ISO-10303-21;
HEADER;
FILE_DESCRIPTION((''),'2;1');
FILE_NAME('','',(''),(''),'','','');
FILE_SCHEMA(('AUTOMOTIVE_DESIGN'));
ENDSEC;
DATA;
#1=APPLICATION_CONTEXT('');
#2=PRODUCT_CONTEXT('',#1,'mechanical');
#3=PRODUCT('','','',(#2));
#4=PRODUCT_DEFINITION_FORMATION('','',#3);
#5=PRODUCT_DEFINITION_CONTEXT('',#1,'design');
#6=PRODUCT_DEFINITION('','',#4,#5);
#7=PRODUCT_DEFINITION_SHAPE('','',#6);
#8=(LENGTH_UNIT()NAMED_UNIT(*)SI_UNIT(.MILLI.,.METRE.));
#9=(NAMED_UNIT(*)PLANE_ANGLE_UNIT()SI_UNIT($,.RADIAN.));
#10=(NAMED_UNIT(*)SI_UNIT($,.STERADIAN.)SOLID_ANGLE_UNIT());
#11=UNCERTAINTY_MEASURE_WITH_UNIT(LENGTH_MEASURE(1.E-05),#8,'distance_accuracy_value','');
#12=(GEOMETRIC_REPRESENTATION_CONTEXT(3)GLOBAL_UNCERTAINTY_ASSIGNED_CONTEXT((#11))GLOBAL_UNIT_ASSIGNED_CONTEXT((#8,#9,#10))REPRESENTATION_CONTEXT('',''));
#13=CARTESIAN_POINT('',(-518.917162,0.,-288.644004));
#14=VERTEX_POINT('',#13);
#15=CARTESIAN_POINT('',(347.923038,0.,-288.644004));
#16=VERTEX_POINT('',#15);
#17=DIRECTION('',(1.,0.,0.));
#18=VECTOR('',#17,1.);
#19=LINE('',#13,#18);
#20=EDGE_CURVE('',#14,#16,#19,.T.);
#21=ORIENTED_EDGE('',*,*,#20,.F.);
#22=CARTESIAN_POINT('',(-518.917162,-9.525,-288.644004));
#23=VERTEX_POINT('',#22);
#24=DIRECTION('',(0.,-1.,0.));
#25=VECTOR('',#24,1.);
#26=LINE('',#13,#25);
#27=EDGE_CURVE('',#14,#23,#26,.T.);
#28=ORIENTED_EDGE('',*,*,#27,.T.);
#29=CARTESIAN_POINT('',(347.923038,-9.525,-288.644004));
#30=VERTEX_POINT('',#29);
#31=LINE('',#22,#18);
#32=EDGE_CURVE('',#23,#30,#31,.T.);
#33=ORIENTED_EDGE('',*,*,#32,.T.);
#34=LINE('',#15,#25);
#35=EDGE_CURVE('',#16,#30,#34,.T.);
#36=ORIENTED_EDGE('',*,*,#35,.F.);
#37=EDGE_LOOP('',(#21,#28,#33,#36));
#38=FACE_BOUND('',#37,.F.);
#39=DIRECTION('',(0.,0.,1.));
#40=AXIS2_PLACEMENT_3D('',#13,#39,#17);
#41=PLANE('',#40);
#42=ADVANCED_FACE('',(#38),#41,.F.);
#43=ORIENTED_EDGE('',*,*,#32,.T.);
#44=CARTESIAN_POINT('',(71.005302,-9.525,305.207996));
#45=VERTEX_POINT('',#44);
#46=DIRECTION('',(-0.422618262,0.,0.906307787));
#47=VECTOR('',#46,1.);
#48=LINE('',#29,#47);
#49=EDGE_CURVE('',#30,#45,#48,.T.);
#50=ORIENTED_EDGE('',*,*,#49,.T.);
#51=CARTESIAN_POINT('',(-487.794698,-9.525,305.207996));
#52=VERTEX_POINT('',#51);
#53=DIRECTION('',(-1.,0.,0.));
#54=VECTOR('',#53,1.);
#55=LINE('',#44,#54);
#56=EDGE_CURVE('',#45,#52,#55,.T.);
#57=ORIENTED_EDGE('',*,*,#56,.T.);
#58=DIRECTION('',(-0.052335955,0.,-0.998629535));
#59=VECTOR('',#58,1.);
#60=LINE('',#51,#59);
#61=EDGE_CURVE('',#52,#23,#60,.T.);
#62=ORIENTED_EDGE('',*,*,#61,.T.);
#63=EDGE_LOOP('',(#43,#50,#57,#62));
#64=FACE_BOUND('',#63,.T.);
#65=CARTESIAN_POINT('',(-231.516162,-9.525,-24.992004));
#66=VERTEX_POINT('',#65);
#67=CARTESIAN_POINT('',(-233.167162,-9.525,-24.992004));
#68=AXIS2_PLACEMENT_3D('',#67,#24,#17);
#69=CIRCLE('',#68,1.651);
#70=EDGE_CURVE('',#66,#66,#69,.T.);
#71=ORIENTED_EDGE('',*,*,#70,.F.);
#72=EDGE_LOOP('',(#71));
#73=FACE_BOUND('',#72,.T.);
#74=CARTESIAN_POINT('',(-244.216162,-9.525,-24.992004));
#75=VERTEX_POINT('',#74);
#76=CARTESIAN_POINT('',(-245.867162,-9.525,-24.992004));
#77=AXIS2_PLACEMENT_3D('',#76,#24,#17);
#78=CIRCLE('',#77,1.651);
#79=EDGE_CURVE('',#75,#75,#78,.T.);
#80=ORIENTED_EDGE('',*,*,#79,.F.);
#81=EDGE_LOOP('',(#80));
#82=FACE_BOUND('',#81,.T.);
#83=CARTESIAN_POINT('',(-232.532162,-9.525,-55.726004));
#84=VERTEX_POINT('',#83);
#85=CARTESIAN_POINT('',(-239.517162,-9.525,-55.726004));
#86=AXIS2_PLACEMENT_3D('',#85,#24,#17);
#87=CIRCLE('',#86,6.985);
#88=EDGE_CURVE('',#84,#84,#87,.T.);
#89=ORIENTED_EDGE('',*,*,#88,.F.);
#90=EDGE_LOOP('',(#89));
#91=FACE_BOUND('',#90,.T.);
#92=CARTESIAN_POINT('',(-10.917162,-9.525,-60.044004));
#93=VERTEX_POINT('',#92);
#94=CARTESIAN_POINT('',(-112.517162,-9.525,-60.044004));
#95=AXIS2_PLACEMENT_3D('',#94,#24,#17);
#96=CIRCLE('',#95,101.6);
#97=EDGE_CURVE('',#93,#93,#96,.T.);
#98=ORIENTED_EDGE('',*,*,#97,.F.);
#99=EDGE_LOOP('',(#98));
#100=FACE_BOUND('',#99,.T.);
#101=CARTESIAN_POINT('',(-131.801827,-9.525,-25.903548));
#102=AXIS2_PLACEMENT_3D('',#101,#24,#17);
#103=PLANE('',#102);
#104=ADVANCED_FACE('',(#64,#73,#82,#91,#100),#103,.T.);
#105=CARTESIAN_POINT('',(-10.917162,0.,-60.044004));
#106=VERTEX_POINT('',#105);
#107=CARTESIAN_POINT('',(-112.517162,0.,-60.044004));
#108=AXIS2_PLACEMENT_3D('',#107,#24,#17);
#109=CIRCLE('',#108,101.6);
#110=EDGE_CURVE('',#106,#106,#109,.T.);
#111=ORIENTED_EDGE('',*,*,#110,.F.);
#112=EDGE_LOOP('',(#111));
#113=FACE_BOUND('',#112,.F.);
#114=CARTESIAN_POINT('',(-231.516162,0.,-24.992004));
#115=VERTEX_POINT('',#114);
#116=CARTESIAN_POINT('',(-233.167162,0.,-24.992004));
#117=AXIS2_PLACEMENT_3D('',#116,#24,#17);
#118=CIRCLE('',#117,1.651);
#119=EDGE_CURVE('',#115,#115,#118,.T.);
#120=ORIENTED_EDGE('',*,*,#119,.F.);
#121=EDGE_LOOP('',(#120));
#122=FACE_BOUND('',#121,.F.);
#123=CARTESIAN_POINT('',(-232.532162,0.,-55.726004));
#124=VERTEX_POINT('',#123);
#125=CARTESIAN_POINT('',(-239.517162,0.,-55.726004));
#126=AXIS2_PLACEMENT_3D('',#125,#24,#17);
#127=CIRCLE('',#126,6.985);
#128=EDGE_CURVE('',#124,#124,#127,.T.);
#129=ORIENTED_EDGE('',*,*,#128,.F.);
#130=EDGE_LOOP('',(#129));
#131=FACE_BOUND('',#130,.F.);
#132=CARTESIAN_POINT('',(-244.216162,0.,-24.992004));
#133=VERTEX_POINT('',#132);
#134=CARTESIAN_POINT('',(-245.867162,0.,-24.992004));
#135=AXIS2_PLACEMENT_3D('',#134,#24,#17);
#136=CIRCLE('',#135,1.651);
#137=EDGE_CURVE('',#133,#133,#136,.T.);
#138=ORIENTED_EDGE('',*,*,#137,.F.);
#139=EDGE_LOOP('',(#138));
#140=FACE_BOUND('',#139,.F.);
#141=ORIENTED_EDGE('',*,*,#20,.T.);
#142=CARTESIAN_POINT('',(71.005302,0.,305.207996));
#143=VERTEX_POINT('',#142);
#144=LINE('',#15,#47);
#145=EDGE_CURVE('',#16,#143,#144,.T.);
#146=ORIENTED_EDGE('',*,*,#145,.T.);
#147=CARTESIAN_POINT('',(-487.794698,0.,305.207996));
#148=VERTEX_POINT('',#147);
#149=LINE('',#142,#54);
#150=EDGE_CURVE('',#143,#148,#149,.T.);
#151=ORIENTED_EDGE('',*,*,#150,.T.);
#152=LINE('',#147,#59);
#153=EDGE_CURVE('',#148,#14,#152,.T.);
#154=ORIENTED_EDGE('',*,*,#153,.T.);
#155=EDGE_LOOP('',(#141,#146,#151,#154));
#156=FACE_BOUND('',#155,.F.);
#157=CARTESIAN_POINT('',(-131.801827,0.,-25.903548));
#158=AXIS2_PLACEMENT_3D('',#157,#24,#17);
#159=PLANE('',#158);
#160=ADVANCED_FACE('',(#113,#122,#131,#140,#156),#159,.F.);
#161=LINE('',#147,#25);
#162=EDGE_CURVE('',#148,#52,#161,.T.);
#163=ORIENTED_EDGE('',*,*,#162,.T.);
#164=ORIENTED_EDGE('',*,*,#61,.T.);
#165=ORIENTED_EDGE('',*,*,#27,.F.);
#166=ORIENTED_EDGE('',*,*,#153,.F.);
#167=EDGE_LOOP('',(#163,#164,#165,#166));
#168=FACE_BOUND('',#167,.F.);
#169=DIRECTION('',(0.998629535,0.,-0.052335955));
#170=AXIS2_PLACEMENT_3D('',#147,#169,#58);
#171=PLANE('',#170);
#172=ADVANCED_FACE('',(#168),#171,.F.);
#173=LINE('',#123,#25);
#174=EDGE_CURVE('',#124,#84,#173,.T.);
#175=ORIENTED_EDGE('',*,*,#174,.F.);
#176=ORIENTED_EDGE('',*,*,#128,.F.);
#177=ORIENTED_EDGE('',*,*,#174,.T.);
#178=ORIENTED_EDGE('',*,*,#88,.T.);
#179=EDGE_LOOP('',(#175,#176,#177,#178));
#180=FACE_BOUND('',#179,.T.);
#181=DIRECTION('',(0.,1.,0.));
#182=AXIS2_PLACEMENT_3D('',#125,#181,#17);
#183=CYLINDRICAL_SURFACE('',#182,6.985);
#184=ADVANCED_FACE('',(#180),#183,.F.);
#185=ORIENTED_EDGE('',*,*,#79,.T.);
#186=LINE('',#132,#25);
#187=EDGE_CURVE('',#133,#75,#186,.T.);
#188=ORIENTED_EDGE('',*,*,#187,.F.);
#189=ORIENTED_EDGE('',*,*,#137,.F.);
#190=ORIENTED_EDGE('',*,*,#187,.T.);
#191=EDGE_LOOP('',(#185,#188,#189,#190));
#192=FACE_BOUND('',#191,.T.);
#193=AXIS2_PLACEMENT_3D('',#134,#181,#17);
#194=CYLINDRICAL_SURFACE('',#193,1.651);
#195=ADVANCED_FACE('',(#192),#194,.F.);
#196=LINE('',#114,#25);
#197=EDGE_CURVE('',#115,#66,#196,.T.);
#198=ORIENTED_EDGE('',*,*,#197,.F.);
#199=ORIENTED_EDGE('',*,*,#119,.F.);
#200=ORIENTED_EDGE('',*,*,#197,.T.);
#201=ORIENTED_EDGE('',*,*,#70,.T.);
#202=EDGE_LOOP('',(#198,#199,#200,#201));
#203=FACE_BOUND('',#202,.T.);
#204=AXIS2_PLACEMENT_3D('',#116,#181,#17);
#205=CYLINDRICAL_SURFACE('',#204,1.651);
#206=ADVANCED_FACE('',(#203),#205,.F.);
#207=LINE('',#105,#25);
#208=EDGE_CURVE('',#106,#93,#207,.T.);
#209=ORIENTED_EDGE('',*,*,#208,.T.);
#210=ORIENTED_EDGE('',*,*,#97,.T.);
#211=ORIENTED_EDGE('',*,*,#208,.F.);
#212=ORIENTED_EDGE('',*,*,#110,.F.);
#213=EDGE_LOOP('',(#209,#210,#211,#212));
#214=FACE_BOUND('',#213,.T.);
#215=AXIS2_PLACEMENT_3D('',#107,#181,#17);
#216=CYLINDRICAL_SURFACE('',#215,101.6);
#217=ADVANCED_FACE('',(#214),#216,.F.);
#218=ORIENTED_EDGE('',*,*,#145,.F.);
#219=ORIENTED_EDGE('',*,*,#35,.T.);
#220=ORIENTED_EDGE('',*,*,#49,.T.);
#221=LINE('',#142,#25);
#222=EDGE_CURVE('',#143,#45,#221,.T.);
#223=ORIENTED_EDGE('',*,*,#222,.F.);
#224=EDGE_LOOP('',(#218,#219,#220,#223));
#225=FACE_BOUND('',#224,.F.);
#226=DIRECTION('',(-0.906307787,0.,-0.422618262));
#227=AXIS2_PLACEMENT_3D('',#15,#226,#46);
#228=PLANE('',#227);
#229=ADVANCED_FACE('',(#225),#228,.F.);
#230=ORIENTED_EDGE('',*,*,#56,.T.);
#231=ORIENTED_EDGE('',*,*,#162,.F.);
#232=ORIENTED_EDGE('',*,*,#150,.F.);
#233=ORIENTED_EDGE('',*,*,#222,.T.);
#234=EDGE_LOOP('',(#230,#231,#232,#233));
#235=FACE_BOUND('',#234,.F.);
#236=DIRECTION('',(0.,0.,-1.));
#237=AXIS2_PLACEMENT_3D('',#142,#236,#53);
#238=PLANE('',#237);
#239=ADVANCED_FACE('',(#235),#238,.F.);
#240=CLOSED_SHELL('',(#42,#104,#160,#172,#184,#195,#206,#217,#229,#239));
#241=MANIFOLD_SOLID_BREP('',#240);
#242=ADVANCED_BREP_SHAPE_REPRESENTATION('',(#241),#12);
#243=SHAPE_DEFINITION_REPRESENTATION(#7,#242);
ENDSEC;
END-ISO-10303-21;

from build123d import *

# Parameters (mm, degrees)
F0_R     = 6.985
F0_R_2   = 1.651
F0_R_3   = 101.6
F1_DEPTH = 9.525


with BuildPart() as f1:
    # F0 (on Front) → F1 (new body)
    with BuildSketch(Plane.XZ):
        Polygon((-487.794698, 305.207996), (-518.917162, -288.644004), (347.923038, -288.644004), (71.005302, 305.207996), align=None)
        with Locations((-239.517162, -55.726004)):
            Circle(F0_R, mode=Mode.SUBTRACT)
        with Locations((-245.867162, -24.992004)):
            Circle(F0_R_2, mode=Mode.SUBTRACT)
        with Locations((-233.167162, -24.992004)):
            Circle(F0_R_2, mode=Mode.SUBTRACT)
        with Locations((-112.517162, -60.044004)):
            Circle(F0_R_3, mode=Mode.SUBTRACT)
    extrude(amount=F1_DEPTH)


solid = f1.part
